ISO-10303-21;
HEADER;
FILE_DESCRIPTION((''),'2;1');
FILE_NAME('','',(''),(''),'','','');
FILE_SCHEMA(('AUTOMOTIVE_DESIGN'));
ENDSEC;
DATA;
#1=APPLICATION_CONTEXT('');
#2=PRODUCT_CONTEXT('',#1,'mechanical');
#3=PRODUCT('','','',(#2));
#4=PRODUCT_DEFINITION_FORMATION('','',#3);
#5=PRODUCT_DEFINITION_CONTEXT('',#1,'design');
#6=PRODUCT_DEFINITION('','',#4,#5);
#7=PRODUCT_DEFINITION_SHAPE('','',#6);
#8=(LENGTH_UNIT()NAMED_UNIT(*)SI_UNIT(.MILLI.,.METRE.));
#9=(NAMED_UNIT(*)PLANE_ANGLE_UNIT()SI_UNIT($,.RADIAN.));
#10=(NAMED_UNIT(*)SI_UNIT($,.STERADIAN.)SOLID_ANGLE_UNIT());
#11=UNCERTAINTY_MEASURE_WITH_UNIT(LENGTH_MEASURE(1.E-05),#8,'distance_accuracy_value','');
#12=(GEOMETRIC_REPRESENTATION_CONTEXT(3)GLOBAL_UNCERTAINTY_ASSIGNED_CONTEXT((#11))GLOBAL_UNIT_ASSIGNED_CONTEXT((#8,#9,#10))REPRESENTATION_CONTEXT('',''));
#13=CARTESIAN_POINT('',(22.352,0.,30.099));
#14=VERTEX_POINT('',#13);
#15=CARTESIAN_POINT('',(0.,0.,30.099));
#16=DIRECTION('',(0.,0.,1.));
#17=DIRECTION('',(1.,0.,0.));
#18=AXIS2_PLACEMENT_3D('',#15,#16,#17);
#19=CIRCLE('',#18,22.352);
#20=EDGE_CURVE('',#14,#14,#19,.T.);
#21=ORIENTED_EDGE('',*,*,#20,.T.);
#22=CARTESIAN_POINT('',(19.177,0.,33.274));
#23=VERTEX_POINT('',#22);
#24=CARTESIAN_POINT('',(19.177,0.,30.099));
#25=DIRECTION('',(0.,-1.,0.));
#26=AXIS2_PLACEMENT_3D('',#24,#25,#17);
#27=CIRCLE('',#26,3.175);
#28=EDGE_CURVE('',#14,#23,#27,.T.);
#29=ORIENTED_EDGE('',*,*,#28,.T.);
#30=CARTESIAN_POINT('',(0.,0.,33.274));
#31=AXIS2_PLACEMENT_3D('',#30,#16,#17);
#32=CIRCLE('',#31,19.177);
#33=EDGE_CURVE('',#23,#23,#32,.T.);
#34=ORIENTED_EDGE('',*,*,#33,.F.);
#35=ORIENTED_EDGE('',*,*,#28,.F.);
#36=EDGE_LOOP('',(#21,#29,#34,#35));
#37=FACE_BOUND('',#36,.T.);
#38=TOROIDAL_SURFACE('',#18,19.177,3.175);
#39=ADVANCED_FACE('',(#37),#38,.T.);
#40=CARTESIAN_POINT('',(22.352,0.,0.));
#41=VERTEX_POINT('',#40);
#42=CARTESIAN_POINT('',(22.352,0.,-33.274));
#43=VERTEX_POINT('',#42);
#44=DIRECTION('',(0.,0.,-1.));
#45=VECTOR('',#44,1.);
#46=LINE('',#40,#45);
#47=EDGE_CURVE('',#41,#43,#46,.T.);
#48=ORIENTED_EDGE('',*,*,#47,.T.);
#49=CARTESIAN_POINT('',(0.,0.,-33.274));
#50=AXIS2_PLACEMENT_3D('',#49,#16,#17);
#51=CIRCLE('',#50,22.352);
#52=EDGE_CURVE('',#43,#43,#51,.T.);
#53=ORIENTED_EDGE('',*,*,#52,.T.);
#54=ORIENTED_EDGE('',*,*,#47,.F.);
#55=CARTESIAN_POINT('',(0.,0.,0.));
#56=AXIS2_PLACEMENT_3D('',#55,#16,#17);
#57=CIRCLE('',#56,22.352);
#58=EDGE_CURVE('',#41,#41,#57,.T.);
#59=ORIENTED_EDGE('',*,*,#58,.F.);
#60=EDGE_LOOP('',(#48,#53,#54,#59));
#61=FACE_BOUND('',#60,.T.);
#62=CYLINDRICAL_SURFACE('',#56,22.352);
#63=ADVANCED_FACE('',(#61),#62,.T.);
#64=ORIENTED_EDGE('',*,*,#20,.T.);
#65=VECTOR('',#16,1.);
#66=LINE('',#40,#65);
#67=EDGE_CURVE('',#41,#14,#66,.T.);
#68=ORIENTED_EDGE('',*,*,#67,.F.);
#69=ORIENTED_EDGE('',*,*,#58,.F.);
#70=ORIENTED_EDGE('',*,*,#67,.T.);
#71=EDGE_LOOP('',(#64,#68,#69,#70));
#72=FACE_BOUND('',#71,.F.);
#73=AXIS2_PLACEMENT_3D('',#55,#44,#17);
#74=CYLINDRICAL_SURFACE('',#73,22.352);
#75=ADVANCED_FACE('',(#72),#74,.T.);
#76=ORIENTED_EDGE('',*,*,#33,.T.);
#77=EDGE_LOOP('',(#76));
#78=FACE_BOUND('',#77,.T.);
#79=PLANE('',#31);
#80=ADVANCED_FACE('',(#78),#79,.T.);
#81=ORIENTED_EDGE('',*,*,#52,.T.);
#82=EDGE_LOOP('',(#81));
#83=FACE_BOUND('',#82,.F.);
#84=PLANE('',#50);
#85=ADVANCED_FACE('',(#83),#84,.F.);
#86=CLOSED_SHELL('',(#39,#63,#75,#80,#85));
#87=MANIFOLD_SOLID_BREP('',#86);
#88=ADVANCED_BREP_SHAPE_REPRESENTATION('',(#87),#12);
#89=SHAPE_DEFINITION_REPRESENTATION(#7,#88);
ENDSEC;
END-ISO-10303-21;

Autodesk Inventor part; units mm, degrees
ref_plane "YZ Plane" through (0, 0, 0) normal (1, 0, 0) x (0, 1, 0)
ref_plane "XZ Plane" through (0, 0, 0) normal (0, 1, 0) x (-1, 0, 0)
ref_plane "XY Plane" through (0, 0, 0) normal (0, 0, 1) x (1, 0, 0)
sketch "Sketch1" plane through (0, 0, 0) normal (0, 0, 1) x (1, 0, 0)
  circle A0 centre (0, 0) radius 22.352
  dimension "d0" = 44.704
extrude "Extrusion1" add sketch "Sketch1" along normal mid plane 66.548
fillet "Fillet1" radius 3.175 1 edges at (-22.352, 0, 33.274)
properties part number "3775"
